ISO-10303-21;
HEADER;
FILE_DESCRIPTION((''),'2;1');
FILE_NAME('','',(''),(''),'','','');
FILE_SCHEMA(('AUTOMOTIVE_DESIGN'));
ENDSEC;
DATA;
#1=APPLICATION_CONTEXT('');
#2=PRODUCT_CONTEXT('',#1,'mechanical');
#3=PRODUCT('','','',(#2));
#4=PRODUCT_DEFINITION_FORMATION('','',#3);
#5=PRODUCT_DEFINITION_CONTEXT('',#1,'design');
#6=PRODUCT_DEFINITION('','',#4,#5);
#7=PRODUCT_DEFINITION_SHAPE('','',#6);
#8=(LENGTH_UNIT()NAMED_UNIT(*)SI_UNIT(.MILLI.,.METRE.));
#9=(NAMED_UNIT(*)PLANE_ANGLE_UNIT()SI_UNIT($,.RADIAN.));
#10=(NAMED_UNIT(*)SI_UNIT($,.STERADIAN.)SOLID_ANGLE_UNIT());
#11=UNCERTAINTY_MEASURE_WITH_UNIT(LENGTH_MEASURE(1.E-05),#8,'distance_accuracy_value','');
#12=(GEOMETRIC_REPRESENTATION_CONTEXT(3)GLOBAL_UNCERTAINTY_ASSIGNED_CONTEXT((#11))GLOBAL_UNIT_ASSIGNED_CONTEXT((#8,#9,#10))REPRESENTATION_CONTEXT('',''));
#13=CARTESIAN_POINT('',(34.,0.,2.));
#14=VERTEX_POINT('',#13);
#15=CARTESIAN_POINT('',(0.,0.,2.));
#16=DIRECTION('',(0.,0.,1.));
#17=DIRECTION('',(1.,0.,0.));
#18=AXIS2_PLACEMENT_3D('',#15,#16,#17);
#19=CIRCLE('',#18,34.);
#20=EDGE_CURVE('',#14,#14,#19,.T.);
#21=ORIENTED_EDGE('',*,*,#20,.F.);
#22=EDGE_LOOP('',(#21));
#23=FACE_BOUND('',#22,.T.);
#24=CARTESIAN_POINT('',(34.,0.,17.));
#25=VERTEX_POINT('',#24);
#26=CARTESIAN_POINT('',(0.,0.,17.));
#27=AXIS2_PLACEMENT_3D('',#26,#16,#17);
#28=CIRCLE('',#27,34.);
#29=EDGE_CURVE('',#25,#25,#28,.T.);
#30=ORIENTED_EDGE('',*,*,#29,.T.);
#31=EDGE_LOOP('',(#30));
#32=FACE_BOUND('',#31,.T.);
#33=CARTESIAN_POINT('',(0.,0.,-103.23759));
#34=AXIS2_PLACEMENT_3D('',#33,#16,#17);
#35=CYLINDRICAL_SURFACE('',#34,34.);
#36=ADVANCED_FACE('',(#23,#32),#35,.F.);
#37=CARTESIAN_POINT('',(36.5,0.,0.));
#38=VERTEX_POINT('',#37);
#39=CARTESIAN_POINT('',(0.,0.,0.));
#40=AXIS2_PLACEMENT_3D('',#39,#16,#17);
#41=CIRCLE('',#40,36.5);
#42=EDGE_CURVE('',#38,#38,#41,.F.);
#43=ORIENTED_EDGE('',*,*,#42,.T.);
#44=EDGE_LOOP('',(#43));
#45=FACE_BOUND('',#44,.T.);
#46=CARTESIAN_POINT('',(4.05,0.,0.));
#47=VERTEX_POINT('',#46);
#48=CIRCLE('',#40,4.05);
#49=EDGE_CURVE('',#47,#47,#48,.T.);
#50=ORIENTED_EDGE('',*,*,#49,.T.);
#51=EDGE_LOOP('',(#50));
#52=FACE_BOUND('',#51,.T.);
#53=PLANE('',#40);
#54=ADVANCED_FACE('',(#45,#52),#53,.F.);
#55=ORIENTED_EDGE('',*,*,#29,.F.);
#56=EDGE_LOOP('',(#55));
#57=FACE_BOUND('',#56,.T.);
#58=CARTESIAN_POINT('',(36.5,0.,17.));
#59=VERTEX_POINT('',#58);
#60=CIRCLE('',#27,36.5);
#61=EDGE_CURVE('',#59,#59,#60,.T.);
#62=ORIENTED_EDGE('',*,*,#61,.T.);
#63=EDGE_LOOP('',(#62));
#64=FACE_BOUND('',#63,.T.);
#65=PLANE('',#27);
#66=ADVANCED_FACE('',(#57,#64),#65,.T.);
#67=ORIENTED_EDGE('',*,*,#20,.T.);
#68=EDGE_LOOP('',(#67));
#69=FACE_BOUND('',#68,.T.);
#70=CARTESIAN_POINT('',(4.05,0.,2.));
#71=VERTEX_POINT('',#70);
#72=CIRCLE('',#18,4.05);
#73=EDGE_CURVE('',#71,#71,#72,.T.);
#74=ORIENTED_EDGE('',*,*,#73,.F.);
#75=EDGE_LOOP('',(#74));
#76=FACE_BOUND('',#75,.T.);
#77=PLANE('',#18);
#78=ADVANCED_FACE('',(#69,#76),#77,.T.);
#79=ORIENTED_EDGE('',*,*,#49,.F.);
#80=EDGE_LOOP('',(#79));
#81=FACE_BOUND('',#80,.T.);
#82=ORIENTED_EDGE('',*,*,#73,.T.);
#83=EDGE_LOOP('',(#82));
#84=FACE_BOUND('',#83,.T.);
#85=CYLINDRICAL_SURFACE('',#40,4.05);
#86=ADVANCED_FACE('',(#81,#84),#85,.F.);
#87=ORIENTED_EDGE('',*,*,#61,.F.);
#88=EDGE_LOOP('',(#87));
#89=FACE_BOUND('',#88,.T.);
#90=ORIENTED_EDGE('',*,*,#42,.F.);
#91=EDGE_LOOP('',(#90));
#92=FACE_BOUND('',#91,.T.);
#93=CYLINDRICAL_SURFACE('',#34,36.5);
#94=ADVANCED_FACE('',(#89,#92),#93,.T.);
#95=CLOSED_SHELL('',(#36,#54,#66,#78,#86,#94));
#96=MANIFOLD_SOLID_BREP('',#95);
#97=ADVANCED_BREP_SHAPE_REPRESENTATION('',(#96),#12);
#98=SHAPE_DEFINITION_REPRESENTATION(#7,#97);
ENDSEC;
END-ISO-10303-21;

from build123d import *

# Parameters (mm, degrees)
ESQUISSE1_R                  = 34
BOSS_EXTRU_1_DEPTH           = 2
ESQUISSE2_R                  = 36.5
ESQUISSE2_R_2                = 34
BOSS_EXTRU_2_DEPTH           = 15
BOSS_EXTRU_2_DEPTH_BACK      = 2
ESQUISSE3_R                  = 4.05
ENL_V_MAT_EXTRU_1_DEPTH      = 16
ENL_V_MAT_EXTRU_1_DEPTH_BACK = 3


with BuildPart() as part:
    # Esquisse1 → Boss.-Extru.1 (new body)
    with BuildSketch(Plane.XY):
        Circle(ESQUISSE1_R)
    extrude(amount=BOSS_EXTRU_1_DEPTH)

    # Esquisse2 → Boss.-Extru.2 (add, two sides)
    with BuildSketch(Plane.XY.offset(2)) as boss_extru_2_sk:
        Circle(ESQUISSE2_R)
        Circle(ESQUISSE2_R_2, mode=Mode.SUBTRACT)
    extrude(amount=BOSS_EXTRU_2_DEPTH)
    extrude(boss_extru_2_sk.sketch, amount=-BOSS_EXTRU_2_DEPTH_BACK)

    # Esquisse3 → Enlèv. mat.-Extru.1 (cut, two sides)
    with BuildSketch(Plane.XY.offset(2)) as enl_v_mat_extru_1_sk:
        Circle(ESQUISSE3_R)
    extrude(amount=ENL_V_MAT_EXTRU_1_DEPTH, mode=Mode.SUBTRACT)
    extrude(enl_v_mat_extru_1_sk.sketch, amount=-ENL_V_MAT_EXTRU_1_DEPTH_BACK, mode=Mode.SUBTRACT)


solid = part.part
